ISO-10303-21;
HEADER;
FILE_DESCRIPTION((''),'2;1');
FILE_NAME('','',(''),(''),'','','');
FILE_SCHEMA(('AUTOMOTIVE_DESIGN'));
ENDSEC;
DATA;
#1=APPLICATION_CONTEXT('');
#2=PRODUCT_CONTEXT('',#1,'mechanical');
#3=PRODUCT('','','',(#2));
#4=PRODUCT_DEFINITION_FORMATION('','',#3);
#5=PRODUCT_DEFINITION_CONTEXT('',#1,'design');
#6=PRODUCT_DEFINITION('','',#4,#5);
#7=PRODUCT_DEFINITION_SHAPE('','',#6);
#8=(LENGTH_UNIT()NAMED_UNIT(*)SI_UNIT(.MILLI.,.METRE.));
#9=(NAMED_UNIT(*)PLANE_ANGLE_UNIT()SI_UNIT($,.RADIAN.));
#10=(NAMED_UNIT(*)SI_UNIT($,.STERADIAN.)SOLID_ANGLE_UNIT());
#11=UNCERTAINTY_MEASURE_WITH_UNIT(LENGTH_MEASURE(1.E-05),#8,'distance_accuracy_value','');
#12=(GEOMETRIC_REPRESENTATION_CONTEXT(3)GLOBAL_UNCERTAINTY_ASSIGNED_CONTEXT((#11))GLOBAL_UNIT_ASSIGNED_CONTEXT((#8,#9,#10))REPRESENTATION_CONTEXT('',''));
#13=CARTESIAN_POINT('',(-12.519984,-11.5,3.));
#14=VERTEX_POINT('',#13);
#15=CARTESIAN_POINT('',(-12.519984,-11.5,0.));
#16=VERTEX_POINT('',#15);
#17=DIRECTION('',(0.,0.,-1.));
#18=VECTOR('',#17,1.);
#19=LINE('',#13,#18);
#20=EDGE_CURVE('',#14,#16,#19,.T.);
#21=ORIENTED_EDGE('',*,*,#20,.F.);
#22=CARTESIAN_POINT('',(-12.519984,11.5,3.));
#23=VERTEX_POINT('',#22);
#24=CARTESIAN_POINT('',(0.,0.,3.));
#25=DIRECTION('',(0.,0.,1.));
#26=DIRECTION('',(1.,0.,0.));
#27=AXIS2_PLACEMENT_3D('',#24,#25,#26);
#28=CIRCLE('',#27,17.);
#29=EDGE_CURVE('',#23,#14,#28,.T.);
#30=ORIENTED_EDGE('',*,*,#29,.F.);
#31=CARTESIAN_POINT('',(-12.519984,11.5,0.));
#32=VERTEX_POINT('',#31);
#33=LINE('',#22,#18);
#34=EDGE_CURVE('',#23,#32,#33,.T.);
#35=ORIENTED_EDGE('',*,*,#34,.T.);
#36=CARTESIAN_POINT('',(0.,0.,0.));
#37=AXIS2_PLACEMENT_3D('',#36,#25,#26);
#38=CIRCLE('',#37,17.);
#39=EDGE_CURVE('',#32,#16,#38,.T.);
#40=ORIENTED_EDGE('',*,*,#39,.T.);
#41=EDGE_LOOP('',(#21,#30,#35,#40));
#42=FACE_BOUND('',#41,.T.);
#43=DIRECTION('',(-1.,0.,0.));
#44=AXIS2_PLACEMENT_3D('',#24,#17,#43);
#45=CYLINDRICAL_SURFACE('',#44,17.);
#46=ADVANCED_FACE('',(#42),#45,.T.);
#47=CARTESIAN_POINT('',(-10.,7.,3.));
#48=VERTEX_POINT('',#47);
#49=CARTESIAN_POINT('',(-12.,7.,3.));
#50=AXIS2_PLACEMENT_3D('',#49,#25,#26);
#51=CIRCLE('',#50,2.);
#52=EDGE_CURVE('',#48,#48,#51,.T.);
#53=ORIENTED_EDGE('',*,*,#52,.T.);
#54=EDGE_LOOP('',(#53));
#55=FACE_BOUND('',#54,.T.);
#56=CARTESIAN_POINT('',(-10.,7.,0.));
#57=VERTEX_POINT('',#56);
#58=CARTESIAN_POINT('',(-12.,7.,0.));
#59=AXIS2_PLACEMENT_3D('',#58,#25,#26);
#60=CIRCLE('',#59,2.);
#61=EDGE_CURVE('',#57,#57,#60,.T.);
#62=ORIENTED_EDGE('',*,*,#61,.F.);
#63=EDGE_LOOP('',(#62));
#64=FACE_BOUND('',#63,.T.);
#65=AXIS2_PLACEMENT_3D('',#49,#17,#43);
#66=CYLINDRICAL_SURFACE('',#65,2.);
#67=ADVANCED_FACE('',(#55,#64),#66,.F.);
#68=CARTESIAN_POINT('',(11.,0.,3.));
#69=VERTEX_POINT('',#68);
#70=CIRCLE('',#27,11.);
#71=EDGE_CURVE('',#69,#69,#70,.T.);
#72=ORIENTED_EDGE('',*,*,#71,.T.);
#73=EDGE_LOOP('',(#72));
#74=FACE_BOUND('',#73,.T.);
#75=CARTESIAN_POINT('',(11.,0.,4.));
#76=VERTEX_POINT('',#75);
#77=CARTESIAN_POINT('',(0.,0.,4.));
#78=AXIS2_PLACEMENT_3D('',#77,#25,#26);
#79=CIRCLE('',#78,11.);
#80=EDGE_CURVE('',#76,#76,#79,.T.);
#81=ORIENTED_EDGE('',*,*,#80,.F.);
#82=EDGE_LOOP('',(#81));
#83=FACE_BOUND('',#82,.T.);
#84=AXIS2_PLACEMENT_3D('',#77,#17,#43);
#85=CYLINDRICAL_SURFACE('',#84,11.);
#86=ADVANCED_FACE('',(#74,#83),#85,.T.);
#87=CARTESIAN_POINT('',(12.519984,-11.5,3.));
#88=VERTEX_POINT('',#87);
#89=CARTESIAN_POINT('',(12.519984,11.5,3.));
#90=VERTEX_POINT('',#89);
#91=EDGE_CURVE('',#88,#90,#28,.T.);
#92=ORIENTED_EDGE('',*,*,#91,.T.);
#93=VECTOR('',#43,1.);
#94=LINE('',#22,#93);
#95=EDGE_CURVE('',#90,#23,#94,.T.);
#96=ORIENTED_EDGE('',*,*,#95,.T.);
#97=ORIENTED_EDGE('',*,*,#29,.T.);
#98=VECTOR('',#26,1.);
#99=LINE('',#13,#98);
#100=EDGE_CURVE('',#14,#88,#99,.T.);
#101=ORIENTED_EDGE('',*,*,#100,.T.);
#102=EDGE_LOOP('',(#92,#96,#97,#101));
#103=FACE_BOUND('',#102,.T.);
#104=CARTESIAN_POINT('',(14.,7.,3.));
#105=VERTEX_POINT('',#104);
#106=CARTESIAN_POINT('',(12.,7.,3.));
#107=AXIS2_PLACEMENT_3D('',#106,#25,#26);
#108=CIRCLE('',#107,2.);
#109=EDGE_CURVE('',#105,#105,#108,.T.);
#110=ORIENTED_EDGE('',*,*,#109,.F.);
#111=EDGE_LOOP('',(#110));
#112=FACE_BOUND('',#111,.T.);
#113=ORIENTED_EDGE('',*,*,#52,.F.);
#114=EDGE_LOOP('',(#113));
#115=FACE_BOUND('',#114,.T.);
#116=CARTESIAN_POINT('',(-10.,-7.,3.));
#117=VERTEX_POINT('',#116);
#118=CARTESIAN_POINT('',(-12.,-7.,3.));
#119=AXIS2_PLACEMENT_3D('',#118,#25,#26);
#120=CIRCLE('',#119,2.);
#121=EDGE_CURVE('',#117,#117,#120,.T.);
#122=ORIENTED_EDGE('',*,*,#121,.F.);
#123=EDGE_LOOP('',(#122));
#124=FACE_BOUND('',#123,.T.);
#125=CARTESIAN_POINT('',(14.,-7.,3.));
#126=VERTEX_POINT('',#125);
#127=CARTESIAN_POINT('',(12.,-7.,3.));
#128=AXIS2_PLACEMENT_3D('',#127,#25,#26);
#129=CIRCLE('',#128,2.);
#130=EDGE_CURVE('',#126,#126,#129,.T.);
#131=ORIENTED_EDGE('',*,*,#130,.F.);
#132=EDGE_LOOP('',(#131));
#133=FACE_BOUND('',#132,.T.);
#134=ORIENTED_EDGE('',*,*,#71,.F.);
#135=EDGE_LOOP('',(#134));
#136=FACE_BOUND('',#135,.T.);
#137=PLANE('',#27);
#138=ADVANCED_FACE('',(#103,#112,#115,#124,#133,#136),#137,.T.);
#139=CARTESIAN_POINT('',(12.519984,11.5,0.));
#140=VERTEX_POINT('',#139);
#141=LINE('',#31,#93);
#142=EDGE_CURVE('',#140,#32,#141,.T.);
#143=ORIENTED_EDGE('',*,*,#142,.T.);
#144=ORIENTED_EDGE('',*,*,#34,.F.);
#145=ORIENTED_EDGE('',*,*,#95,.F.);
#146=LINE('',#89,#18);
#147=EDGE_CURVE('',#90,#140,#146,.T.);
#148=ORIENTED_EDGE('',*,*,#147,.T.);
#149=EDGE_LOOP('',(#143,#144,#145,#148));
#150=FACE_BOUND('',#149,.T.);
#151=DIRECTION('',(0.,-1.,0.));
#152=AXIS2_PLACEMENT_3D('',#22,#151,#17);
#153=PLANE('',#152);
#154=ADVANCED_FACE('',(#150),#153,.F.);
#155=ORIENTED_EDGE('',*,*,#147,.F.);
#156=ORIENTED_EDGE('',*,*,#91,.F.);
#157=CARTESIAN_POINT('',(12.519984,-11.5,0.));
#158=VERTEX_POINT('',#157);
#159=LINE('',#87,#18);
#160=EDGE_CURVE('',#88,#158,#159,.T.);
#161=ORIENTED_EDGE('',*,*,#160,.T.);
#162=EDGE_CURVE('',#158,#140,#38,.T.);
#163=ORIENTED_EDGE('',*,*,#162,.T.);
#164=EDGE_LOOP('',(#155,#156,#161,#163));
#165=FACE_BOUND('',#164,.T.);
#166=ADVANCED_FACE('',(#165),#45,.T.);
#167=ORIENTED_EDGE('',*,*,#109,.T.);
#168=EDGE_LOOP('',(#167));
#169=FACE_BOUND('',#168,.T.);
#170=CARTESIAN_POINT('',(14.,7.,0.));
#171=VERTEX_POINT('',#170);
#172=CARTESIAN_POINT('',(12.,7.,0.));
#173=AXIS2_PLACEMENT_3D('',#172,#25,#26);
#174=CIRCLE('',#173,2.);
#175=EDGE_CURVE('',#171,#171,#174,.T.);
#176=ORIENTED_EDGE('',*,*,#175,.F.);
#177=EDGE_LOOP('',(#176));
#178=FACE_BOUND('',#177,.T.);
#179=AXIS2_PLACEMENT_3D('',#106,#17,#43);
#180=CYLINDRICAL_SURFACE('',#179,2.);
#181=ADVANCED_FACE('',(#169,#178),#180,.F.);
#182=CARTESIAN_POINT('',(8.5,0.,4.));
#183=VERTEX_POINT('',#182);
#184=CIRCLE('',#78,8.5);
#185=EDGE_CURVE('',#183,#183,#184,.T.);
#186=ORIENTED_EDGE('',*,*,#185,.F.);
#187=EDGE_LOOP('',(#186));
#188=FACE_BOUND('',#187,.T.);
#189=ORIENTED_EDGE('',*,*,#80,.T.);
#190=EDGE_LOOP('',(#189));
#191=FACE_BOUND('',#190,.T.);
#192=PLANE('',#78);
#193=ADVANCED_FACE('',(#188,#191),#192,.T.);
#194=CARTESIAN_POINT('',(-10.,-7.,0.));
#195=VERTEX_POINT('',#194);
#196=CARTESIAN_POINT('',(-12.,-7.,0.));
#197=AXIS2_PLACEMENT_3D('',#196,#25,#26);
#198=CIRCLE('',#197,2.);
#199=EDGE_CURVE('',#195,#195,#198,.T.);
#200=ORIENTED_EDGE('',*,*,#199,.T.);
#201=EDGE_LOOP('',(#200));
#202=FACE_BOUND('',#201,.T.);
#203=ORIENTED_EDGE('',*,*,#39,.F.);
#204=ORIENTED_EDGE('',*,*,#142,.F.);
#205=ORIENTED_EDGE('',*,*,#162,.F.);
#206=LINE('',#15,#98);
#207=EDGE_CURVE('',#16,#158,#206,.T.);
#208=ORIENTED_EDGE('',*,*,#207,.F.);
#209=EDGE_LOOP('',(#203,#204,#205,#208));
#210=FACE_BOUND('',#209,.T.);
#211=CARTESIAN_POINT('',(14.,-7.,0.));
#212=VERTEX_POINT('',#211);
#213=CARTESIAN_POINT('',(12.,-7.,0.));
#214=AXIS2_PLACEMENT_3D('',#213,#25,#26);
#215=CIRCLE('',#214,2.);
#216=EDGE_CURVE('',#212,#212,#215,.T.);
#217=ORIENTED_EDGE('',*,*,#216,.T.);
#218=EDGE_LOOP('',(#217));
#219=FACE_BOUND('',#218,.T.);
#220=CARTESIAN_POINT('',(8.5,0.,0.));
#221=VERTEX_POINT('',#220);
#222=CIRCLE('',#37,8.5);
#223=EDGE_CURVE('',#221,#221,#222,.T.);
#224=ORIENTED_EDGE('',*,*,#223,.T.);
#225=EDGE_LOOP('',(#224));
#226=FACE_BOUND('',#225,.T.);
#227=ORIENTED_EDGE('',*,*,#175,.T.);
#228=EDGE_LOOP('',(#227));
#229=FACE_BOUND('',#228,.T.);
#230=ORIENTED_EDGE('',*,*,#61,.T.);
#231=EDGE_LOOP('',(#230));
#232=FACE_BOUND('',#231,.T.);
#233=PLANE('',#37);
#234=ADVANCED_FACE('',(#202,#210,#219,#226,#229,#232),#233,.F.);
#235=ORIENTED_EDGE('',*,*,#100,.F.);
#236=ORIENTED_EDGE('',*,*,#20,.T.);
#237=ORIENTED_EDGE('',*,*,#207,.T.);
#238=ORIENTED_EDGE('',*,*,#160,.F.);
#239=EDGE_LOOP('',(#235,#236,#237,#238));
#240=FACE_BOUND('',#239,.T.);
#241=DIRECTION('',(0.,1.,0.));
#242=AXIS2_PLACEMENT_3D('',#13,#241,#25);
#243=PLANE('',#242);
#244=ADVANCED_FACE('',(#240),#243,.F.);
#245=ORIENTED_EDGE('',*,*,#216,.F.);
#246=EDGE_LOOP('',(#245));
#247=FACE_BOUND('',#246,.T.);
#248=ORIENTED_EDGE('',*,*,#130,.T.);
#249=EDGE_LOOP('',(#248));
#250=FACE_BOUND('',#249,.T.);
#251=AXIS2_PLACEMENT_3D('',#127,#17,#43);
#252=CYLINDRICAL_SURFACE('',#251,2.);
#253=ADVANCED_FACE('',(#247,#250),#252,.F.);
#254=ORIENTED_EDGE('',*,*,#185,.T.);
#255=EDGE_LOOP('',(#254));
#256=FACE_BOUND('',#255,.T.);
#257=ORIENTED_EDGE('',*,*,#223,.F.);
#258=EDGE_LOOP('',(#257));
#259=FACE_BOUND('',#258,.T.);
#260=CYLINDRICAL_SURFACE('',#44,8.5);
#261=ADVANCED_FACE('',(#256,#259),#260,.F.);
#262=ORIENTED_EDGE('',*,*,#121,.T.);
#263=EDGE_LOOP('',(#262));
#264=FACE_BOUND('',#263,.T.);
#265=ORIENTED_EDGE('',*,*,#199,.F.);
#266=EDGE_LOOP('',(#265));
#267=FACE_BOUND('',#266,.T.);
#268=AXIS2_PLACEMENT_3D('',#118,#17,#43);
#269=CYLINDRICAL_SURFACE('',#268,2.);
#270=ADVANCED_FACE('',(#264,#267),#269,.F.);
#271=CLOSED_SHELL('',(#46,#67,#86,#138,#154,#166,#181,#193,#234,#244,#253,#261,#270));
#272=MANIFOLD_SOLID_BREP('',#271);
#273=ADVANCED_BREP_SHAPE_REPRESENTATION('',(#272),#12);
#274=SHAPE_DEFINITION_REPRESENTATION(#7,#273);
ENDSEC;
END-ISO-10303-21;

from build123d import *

# Parameters (mm, degrees)
SKETCH_1_R      = 2
SKETCH_1_R_2    = 8.5
EXTRUDE_1_DEPTH = 3
SKETCH_2_R      = 11
SKETCH_2_R_2    = 8.5
EXTRUDE_2_DEPTH = 1


with BuildPart() as part:
    # 草图1 → 凸台-拉伸1 (new body)
    with BuildSketch(Plane.XY):
        with BuildLine():
            Line((-12.519984026, -11.5), (12.519984026, -11.5))
            ThreePointArc((12.519984026, -11.5), (17, 0), (12.519984026, 11.5))
            Line((12.519984026, 11.5), (-12.519984026, 11.5))
            ThreePointArc((-12.519984026, 11.5), (-17, 0), (-12.519984026, -11.5))
        make_face()
        with Locations((-12, -7)):
            Circle(SKETCH_1_R, mode=Mode.SUBTRACT)
        with Locations((-12, 7)):
            Circle(SKETCH_1_R, mode=Mode.SUBTRACT)
        with Locations((12, 7)):
            Circle(SKETCH_1_R, mode=Mode.SUBTRACT)
        with Locations((12, -7)):
            Circle(SKETCH_1_R, mode=Mode.SUBTRACT)
        Circle(SKETCH_1_R_2, mode=Mode.SUBTRACT)
    extrude(amount=EXTRUDE_1_DEPTH)

    # 草图2 → 凸台-拉伸2 (add)
    with BuildSketch(Plane.XY.offset(3)):
        Circle(SKETCH_2_R)
        Circle(SKETCH_2_R_2, mode=Mode.SUBTRACT)
    extrude(amount=EXTRUDE_2_DEPTH)


solid = part.part
